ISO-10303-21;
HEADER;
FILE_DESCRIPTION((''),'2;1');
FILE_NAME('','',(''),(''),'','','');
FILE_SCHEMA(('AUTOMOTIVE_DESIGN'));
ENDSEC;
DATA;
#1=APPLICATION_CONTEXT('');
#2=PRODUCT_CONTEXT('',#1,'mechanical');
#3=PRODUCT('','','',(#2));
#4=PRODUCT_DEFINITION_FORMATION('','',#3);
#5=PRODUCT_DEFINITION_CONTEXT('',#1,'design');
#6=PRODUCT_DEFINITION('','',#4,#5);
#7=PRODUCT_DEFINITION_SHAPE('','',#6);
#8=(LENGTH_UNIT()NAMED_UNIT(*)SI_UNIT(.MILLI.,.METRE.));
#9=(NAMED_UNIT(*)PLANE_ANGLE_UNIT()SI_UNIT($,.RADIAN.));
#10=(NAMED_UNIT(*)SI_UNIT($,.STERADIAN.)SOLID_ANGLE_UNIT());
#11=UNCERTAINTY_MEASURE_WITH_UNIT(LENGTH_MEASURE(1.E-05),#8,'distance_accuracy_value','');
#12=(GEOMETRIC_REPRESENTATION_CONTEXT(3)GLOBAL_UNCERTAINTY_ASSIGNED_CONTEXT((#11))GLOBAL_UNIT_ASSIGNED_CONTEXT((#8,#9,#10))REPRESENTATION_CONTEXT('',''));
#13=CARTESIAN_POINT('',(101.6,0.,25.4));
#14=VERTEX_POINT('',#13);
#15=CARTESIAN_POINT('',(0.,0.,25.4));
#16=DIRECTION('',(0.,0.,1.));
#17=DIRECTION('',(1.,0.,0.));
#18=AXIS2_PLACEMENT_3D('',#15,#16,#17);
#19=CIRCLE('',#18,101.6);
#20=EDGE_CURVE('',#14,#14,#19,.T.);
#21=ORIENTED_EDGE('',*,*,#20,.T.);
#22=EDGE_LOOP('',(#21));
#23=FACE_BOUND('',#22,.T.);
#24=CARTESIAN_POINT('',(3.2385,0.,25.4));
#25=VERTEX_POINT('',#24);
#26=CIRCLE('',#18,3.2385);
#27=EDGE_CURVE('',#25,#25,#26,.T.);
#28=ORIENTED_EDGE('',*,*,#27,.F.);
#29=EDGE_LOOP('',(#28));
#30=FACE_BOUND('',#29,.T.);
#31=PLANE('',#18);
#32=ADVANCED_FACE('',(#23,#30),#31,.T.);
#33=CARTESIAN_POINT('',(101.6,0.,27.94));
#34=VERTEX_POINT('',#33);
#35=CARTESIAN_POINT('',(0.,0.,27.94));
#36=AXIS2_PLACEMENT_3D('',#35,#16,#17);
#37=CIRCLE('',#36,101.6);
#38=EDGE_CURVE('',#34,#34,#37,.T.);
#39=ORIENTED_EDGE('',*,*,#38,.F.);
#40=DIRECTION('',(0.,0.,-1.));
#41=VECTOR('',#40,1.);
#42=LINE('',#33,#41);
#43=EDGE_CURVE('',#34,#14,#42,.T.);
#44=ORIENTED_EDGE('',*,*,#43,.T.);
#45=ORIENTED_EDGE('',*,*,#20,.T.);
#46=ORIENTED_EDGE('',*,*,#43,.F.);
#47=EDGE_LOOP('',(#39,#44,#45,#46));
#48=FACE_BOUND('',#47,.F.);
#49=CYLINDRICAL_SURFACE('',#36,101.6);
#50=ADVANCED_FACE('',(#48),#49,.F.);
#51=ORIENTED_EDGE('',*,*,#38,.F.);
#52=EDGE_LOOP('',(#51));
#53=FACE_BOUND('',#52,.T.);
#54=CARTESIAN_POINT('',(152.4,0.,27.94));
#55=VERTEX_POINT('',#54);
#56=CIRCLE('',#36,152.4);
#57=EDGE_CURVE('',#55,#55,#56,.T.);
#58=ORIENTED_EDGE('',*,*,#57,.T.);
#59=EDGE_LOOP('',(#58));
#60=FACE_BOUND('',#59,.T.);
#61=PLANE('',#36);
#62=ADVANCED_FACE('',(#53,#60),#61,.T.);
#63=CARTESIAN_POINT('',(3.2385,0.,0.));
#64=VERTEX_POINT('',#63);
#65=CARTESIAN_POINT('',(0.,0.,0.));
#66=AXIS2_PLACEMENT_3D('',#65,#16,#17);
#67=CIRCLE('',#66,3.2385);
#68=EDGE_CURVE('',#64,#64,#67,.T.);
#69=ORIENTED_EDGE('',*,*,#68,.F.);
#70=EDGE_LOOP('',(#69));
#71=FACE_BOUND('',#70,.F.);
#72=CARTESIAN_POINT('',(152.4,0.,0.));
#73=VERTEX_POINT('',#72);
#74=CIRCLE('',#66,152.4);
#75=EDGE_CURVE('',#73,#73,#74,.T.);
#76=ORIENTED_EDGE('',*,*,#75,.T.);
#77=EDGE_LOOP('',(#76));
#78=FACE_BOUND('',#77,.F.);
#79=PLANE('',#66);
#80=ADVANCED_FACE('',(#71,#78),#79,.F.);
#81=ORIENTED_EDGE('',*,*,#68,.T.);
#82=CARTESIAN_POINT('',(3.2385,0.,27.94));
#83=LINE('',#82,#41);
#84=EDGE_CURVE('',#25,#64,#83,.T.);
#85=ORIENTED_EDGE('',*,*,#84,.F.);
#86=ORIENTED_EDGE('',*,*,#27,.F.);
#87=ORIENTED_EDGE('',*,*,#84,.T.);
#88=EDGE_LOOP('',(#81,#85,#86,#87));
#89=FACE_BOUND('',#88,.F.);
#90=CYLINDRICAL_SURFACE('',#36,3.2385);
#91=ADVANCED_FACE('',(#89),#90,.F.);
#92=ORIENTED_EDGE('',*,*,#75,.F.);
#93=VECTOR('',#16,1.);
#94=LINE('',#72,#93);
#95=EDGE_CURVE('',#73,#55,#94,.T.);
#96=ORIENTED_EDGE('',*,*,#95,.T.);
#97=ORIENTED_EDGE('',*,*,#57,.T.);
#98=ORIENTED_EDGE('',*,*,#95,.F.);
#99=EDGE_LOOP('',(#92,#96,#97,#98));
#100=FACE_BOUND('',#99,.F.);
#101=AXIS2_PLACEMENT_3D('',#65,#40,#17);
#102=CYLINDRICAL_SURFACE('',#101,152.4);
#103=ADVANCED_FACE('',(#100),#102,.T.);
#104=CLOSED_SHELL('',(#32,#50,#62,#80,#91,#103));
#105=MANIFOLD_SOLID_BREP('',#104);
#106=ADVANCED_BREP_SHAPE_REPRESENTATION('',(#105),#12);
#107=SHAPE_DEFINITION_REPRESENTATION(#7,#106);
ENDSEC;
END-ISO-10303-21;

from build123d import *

# Parameters (mm, degrees)
F0_R     = 152.4
F1_DEPTH = 27.94
F2_R     = 3.2385
F3_DEPTH = 27.94
F5_R     = 101.6
F6_DEPTH = 2.54


with BuildPart() as f1:
    # F0 (on Top) → F1 (new body)
    with BuildSketch(Plane.XY):
        Circle(F0_R)
    extrude(amount=F1_DEPTH)

    # F2 (on face) → F3 (cut, through all)
    with BuildSketch(Plane.XY.offset(27.94)):
        Circle(F2_R)
    extrude(amount=-F3_DEPTH, mode=Mode.SUBTRACT)

    # F5 (on face) → F6 (cut)
    with BuildSketch(Plane.XY.offset(27.94)):
        Circle(F5_R)
    extrude(amount=-F6_DEPTH, mode=Mode.SUBTRACT)


solid = f1.part
